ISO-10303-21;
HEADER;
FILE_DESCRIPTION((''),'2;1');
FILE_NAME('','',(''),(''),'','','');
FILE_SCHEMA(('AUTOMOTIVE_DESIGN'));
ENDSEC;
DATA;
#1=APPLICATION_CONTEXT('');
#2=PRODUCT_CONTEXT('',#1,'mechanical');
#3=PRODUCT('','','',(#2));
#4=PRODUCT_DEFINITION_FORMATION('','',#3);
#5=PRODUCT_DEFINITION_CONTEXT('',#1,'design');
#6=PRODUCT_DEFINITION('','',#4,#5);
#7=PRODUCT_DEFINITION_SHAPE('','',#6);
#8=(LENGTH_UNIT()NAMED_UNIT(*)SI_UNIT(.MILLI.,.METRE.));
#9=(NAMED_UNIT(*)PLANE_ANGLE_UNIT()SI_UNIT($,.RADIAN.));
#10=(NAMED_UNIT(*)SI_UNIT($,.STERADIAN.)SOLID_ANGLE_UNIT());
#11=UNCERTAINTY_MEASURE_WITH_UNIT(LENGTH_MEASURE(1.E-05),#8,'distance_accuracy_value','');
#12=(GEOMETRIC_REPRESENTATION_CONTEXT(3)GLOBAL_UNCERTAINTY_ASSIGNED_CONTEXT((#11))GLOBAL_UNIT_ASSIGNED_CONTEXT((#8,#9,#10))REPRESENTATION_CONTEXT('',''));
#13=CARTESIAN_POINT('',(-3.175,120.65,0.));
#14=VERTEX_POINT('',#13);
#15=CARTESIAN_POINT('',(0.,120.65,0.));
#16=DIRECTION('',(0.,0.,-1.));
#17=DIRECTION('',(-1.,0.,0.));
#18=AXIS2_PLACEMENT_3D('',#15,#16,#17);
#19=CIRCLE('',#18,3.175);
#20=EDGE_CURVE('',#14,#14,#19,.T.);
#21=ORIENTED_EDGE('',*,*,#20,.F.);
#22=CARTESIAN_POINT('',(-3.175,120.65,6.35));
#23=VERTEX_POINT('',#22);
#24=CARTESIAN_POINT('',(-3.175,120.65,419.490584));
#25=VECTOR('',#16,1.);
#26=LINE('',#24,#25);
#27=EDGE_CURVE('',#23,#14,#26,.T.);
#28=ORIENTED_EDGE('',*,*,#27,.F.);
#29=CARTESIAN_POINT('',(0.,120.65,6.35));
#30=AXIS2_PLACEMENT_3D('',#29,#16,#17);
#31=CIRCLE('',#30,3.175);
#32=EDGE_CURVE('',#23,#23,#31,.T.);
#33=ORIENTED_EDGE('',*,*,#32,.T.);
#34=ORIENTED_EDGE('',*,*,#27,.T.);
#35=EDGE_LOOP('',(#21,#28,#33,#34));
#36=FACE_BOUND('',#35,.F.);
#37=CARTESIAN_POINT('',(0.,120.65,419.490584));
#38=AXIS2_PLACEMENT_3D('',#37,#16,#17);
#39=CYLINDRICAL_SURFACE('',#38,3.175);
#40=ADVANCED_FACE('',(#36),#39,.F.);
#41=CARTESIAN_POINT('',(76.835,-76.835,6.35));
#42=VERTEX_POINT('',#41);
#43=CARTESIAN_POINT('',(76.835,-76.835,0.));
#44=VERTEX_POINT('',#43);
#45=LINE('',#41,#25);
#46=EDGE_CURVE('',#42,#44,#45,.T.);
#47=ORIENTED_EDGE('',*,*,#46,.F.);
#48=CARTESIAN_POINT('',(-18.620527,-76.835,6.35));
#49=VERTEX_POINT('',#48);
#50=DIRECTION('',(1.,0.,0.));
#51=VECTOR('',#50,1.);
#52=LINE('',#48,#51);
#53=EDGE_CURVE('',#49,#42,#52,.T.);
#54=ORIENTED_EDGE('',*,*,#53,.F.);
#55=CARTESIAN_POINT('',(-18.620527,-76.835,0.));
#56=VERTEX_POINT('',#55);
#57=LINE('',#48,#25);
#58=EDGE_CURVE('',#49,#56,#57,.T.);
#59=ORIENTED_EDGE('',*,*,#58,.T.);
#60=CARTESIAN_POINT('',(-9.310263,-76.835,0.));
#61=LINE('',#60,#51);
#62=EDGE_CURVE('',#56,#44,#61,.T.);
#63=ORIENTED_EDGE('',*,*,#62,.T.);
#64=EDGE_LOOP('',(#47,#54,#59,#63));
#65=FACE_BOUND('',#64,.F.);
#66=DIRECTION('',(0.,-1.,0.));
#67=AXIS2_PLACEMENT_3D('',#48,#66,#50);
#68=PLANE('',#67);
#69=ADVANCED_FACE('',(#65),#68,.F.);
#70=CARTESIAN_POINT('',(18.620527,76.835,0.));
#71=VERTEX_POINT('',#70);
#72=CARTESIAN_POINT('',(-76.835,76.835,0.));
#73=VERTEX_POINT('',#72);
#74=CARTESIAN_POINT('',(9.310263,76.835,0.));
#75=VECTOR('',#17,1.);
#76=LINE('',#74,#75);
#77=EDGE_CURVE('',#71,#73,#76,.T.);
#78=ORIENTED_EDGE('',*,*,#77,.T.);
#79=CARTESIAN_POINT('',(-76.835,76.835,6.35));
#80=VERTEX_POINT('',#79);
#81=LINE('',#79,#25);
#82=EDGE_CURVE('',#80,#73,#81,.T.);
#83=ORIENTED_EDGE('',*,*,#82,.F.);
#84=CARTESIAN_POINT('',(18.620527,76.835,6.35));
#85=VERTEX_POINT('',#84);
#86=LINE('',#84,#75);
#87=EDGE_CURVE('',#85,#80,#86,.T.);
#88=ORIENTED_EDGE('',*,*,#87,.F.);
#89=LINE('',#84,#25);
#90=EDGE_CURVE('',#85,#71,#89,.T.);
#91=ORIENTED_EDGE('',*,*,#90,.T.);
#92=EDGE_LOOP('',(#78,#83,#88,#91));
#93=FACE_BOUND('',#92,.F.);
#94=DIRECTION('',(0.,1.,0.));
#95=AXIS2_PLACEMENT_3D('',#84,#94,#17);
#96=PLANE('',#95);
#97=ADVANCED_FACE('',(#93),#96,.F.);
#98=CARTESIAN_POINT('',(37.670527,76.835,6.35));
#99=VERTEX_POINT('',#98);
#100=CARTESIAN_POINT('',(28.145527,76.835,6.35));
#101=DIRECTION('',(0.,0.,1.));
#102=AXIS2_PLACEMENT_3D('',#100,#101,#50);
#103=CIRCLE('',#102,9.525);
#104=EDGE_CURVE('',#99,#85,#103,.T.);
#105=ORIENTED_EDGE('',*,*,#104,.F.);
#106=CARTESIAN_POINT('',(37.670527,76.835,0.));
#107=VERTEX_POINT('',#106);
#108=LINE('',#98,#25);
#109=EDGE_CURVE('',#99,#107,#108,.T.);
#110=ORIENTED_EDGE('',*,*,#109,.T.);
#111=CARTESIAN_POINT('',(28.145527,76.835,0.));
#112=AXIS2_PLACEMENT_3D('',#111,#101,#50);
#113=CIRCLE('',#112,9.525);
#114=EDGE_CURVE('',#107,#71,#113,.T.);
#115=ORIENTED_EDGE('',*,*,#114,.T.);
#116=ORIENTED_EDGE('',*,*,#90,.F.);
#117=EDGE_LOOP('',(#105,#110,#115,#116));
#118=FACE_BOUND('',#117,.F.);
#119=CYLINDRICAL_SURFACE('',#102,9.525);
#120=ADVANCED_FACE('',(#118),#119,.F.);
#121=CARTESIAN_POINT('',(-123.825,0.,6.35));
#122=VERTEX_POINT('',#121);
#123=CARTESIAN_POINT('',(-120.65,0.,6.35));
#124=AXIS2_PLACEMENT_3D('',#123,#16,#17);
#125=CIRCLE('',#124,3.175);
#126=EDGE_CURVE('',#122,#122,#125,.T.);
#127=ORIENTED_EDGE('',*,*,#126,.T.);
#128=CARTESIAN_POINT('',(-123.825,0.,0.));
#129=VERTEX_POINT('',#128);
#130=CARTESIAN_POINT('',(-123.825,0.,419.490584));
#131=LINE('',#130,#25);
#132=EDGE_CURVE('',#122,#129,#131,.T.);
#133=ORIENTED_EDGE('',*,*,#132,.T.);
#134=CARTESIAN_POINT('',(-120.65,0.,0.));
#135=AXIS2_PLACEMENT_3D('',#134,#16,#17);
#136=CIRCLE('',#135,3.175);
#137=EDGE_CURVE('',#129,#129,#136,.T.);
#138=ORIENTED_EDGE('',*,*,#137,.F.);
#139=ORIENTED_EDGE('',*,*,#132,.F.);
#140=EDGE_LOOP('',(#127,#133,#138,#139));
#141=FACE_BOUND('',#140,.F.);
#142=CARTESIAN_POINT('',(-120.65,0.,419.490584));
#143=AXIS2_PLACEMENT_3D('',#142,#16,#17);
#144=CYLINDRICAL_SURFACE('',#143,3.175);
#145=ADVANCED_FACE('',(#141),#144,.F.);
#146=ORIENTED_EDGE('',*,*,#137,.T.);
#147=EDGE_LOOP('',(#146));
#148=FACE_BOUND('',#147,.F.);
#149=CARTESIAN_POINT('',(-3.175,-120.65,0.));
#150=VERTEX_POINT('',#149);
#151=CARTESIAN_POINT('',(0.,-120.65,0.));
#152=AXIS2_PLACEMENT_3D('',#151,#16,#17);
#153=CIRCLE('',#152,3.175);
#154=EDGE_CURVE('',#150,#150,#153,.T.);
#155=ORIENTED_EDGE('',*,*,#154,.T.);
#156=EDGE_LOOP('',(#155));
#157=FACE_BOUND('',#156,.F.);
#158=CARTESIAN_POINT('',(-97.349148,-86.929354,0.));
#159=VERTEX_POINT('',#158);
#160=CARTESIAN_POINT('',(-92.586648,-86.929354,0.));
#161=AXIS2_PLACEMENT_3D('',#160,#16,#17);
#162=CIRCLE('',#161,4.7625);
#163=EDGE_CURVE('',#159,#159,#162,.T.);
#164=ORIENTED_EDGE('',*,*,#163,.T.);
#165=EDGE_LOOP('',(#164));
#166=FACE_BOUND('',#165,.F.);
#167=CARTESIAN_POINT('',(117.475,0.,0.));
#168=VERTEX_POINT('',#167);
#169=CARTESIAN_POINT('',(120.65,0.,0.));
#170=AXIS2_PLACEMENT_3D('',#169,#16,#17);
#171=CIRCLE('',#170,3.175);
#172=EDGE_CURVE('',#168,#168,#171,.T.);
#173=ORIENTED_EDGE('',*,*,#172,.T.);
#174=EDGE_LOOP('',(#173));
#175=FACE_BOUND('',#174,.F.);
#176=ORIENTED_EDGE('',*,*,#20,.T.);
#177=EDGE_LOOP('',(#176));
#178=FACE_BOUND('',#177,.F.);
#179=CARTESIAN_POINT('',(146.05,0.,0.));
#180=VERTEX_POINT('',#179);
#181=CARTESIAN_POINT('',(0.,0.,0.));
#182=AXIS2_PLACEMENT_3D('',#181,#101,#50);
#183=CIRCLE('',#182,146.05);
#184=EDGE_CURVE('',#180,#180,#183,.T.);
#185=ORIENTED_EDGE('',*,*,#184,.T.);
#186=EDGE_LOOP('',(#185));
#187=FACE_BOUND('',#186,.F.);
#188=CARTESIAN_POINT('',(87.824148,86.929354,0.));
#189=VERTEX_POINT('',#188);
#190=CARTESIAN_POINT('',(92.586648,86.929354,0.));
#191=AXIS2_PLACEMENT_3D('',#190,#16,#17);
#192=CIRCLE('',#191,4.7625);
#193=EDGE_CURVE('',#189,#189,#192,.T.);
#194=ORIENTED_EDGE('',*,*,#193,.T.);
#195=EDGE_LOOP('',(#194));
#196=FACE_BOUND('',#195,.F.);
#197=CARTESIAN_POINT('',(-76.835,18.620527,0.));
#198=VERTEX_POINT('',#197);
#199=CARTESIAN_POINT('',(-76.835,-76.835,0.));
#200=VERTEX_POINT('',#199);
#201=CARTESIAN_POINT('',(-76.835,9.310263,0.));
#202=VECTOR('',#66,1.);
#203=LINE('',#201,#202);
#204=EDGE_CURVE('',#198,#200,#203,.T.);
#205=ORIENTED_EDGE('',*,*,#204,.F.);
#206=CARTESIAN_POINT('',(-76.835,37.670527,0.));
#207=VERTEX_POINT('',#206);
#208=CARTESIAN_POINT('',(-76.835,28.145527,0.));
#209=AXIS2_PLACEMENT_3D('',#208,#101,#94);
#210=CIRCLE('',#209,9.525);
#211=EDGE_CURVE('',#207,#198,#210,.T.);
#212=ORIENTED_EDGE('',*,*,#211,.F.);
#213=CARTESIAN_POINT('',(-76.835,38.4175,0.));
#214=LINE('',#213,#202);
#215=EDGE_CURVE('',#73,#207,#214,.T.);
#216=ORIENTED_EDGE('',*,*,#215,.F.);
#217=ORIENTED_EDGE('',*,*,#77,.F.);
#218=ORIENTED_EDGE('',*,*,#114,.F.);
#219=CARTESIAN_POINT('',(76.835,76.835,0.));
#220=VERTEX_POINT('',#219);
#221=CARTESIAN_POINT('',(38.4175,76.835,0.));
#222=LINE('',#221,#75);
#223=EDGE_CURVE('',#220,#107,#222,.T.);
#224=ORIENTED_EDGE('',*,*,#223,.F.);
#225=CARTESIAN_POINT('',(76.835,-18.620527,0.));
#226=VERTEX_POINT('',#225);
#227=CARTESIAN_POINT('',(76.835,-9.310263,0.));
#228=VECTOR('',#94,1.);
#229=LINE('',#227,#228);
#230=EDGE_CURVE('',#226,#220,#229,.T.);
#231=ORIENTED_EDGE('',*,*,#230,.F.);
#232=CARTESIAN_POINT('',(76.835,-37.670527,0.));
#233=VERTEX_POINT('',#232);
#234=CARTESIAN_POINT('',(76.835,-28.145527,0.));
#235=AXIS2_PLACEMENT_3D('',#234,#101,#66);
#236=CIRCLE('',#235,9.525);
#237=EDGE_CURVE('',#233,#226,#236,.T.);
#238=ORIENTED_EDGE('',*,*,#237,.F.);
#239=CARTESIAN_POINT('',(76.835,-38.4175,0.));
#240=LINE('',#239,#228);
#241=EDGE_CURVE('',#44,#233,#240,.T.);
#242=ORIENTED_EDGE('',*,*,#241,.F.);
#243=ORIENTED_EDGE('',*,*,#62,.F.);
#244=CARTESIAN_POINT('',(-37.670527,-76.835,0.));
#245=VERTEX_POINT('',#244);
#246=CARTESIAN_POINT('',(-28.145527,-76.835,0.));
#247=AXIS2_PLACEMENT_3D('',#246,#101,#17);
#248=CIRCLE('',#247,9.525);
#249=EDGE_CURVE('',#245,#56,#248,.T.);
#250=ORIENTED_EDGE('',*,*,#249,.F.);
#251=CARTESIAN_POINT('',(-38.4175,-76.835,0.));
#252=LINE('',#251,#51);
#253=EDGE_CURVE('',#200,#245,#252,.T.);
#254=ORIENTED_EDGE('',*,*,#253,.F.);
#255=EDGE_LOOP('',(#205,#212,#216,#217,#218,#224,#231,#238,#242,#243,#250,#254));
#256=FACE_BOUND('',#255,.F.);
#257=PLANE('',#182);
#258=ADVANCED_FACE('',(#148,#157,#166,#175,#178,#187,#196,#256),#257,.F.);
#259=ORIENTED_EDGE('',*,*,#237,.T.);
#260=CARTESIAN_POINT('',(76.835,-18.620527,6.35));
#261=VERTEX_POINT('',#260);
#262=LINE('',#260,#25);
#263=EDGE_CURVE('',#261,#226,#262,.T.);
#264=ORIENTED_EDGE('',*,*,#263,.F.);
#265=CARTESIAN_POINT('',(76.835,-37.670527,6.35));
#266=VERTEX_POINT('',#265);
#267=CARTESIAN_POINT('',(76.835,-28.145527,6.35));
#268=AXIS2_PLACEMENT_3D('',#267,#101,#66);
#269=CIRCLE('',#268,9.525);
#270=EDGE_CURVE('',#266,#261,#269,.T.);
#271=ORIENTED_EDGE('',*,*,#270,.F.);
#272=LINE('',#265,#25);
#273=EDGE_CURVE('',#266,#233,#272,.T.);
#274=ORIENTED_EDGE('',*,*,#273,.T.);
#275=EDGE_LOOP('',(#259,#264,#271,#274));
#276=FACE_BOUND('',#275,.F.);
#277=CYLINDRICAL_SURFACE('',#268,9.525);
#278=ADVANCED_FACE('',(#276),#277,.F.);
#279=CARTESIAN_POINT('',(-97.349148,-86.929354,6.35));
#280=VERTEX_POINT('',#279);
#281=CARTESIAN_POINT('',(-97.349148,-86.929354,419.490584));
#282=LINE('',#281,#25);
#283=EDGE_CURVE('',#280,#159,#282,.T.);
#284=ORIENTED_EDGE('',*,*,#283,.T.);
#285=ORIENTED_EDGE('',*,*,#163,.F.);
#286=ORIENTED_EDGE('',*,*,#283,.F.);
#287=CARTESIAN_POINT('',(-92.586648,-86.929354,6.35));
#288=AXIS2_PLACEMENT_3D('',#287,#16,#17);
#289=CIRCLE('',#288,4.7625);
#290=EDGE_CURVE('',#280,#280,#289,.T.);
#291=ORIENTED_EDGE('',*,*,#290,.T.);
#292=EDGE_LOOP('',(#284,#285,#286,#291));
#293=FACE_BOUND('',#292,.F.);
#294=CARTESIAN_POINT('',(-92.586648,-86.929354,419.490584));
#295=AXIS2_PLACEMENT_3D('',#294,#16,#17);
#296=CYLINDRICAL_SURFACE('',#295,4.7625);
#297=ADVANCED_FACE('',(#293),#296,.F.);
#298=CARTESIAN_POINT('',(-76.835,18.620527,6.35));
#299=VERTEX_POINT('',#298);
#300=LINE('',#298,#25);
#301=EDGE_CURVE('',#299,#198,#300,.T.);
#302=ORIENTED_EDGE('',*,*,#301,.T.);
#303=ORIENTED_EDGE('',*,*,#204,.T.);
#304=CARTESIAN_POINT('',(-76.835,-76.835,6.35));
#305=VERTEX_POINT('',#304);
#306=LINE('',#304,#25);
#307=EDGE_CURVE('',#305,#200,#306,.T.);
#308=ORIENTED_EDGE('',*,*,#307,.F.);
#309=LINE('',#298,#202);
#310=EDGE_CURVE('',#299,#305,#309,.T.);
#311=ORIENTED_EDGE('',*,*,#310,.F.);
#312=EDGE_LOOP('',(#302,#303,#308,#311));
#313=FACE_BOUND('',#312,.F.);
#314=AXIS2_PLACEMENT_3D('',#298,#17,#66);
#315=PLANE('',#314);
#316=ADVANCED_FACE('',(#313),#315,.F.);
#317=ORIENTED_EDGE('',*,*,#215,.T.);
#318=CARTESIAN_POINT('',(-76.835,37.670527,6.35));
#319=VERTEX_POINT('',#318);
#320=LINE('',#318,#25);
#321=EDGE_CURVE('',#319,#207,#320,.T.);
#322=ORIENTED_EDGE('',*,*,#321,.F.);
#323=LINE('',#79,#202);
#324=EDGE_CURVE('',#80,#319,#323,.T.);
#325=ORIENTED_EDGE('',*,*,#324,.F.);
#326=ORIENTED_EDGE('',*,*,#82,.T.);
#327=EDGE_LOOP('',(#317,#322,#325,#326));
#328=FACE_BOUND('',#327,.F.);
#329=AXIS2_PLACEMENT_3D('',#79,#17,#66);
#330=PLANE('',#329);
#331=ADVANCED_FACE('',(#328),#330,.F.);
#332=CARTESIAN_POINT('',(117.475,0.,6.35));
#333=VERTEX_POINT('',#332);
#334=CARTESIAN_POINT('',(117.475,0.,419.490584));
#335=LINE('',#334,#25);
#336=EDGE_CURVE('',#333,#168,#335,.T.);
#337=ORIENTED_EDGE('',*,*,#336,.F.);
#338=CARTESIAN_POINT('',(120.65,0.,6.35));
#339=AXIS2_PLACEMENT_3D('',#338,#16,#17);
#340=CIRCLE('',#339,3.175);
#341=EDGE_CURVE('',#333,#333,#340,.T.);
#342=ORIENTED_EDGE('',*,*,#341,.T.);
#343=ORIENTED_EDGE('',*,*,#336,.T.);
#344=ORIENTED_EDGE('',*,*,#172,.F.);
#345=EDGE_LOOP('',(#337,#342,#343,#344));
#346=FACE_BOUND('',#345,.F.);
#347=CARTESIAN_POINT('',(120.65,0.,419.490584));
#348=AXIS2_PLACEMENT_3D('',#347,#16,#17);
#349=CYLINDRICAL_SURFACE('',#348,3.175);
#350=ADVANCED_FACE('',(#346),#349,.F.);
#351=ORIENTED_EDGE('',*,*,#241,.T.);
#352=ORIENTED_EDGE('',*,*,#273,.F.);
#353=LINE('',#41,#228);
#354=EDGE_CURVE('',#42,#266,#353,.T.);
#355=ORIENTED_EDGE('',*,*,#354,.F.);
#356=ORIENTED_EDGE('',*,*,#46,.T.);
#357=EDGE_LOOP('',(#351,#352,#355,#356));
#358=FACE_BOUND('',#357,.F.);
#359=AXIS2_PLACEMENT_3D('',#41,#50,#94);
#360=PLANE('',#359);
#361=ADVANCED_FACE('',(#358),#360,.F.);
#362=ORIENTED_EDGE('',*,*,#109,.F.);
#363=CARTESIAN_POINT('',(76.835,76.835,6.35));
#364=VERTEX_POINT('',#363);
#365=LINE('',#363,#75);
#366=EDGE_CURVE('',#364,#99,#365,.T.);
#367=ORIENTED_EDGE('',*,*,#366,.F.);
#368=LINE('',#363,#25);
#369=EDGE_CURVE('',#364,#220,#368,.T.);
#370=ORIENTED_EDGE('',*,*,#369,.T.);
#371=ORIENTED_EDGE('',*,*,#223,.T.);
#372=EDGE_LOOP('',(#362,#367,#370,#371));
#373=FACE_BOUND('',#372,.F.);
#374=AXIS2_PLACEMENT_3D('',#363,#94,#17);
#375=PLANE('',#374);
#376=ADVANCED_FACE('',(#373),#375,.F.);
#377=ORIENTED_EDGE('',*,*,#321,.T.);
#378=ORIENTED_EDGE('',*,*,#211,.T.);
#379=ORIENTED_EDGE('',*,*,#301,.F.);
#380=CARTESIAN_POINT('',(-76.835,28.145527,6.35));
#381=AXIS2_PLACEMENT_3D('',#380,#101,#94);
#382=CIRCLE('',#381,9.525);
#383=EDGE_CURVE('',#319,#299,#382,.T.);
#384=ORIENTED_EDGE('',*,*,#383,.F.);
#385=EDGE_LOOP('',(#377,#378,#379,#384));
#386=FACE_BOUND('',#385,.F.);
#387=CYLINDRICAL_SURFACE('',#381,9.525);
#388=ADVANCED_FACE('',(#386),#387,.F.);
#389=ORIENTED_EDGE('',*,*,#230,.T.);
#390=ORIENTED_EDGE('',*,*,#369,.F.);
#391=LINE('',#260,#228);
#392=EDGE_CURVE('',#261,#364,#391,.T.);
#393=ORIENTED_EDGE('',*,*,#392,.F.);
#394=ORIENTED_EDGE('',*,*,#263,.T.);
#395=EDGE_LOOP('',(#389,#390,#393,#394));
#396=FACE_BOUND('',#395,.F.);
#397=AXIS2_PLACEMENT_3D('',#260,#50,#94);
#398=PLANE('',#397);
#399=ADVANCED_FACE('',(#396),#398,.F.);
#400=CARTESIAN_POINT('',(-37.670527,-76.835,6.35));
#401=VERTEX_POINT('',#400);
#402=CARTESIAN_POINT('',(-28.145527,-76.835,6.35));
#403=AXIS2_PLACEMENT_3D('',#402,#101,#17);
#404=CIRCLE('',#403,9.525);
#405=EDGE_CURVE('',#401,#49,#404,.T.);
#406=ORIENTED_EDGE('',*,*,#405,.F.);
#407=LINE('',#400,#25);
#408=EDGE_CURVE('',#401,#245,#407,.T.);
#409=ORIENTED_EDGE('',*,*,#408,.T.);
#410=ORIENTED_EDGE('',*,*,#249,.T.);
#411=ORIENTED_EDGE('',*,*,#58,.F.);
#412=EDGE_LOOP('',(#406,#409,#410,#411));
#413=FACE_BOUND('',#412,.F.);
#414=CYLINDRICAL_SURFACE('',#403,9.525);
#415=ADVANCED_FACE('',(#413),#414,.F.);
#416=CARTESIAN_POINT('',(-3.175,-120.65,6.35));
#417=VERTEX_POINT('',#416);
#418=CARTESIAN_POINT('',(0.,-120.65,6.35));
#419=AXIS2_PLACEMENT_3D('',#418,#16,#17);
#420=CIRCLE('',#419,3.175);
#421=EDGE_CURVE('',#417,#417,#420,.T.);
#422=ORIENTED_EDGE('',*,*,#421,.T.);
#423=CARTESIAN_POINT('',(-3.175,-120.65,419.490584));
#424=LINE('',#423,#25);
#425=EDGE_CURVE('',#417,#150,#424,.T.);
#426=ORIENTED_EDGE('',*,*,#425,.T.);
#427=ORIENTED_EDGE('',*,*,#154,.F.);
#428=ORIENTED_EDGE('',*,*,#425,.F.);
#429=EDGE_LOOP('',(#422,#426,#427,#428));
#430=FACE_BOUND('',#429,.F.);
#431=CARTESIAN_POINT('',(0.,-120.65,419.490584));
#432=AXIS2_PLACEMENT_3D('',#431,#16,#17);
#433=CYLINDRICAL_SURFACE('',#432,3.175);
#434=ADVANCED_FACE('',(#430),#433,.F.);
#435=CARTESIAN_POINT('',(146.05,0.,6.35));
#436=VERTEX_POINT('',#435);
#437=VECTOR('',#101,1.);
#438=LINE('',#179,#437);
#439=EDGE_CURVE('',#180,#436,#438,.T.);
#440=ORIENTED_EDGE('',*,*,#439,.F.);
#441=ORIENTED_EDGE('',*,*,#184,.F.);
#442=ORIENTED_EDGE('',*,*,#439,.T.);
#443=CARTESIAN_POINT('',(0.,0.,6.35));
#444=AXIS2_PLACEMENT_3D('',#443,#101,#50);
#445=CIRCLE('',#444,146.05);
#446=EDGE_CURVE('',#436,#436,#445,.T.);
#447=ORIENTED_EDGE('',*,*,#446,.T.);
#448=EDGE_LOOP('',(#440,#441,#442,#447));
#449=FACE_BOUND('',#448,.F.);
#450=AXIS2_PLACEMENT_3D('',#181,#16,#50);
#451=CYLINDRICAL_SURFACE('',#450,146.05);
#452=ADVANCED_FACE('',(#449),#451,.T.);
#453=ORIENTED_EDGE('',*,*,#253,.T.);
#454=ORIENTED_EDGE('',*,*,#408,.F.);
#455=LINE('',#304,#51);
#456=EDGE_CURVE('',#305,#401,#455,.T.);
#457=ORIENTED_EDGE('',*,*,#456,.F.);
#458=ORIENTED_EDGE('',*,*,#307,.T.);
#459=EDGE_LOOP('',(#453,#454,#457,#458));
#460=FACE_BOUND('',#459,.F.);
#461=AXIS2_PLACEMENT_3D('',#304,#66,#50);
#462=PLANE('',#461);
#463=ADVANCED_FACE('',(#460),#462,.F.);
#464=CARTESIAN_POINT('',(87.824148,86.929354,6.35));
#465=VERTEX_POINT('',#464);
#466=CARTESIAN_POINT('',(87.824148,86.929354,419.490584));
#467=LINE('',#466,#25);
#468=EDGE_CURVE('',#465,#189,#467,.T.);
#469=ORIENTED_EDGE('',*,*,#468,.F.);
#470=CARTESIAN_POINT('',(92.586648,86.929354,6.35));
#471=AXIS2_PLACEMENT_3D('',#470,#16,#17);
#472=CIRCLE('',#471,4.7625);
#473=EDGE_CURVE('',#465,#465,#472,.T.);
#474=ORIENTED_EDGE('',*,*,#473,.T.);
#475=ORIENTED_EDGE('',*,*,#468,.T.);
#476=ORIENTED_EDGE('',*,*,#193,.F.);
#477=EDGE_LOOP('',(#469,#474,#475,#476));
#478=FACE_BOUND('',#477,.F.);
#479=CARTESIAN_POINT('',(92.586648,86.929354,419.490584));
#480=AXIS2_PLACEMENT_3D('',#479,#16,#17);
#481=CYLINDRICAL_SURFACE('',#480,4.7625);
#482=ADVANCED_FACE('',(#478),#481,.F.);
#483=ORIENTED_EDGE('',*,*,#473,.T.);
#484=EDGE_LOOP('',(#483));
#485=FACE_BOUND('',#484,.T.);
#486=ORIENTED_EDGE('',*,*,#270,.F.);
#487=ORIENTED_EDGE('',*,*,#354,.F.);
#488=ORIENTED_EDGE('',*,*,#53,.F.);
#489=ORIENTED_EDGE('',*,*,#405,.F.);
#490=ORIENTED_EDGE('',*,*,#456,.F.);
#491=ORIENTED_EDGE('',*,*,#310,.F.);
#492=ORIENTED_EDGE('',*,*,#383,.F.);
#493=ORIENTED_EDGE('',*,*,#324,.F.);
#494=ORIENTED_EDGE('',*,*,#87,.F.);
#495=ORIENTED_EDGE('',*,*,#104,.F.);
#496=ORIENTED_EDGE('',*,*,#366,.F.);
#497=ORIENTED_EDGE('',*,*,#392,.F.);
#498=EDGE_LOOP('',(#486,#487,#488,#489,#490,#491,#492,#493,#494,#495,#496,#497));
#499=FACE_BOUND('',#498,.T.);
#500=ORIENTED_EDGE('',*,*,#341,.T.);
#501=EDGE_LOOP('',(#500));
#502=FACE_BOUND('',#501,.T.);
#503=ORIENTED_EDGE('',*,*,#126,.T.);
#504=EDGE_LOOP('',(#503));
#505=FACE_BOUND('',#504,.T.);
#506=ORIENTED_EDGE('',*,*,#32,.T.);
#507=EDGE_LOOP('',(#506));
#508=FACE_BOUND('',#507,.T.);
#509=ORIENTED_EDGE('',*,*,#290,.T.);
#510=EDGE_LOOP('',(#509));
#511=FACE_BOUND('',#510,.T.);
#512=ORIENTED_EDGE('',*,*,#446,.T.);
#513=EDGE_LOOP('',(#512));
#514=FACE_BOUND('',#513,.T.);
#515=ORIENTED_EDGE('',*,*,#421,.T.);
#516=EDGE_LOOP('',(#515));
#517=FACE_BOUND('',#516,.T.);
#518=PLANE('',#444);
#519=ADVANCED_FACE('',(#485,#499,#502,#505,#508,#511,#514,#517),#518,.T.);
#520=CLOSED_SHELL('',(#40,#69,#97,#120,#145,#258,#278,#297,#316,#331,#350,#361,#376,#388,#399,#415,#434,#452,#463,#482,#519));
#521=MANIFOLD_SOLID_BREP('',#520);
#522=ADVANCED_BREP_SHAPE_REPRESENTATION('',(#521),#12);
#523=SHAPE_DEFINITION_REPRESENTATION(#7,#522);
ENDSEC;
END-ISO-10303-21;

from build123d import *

# Parameters (mm, degrees)
F0_R     = 146.05
F1_DEPTH = 6.35
F3_D     = 6.35
F4_D     = 9.525
F6_DEPTH = 6.351


with BuildPart() as f1:
    # F0 (on Top) → F1 (new body)
    with BuildSketch(Plane.XY):
        Circle(F0_R)
    extrude(amount=F1_DEPTH)

    # F3 (through all)
    with Locations(Plane.XY.offset(6.35)):
        with Locations((120.65, 0), (0, -120.65), (-120.65, 0), (0, 120.65)):
            Hole(F3_D / 2)

    # F4 (through all)
    with Locations(Plane.XY.offset(6.35)):
        with Locations((-92.586648, -86.929354), (92.586648, 86.929354)):
            Hole(F4_D / 2)

    # F5 (on face) → F6 (cut, through all)
    with BuildSketch(Plane.XY.offset(6.35)):
        with BuildLine():
            Line((76.835, -18.620527), (76.835, 76.835))
            Line((76.835, 76.835), (37.670527, 76.835))
            ThreePointArc((37.670527, 76.835), (28.145527, 86.36), (18.620527, 76.835))
            Line((18.620527, 76.835), (-76.835, 76.835))
            Line((-76.835, 76.835), (-76.835, 37.670527))
            ThreePointArc((-76.835, 37.670527), (-86.36, 28.145527), (-76.835, 18.620527))
            Line((-76.835, 18.620527), (-76.835, -76.835))
            Line((-76.835, -76.835), (-37.670527, -76.835))
            ThreePointArc((-37.670527, -76.835), (-28.145527, -86.36), (-18.620527, -76.835))
            Line((-18.620527, -76.835), (76.835, -76.835))
            Line((76.835, -76.835), (76.835, -37.670527))
            ThreePointArc((76.835, -37.670527), (86.36, -28.145527), (76.835, -18.620527))
        make_face()
    extrude(amount=-F6_DEPTH, mode=Mode.SUBTRACT)


solid = f1.part
